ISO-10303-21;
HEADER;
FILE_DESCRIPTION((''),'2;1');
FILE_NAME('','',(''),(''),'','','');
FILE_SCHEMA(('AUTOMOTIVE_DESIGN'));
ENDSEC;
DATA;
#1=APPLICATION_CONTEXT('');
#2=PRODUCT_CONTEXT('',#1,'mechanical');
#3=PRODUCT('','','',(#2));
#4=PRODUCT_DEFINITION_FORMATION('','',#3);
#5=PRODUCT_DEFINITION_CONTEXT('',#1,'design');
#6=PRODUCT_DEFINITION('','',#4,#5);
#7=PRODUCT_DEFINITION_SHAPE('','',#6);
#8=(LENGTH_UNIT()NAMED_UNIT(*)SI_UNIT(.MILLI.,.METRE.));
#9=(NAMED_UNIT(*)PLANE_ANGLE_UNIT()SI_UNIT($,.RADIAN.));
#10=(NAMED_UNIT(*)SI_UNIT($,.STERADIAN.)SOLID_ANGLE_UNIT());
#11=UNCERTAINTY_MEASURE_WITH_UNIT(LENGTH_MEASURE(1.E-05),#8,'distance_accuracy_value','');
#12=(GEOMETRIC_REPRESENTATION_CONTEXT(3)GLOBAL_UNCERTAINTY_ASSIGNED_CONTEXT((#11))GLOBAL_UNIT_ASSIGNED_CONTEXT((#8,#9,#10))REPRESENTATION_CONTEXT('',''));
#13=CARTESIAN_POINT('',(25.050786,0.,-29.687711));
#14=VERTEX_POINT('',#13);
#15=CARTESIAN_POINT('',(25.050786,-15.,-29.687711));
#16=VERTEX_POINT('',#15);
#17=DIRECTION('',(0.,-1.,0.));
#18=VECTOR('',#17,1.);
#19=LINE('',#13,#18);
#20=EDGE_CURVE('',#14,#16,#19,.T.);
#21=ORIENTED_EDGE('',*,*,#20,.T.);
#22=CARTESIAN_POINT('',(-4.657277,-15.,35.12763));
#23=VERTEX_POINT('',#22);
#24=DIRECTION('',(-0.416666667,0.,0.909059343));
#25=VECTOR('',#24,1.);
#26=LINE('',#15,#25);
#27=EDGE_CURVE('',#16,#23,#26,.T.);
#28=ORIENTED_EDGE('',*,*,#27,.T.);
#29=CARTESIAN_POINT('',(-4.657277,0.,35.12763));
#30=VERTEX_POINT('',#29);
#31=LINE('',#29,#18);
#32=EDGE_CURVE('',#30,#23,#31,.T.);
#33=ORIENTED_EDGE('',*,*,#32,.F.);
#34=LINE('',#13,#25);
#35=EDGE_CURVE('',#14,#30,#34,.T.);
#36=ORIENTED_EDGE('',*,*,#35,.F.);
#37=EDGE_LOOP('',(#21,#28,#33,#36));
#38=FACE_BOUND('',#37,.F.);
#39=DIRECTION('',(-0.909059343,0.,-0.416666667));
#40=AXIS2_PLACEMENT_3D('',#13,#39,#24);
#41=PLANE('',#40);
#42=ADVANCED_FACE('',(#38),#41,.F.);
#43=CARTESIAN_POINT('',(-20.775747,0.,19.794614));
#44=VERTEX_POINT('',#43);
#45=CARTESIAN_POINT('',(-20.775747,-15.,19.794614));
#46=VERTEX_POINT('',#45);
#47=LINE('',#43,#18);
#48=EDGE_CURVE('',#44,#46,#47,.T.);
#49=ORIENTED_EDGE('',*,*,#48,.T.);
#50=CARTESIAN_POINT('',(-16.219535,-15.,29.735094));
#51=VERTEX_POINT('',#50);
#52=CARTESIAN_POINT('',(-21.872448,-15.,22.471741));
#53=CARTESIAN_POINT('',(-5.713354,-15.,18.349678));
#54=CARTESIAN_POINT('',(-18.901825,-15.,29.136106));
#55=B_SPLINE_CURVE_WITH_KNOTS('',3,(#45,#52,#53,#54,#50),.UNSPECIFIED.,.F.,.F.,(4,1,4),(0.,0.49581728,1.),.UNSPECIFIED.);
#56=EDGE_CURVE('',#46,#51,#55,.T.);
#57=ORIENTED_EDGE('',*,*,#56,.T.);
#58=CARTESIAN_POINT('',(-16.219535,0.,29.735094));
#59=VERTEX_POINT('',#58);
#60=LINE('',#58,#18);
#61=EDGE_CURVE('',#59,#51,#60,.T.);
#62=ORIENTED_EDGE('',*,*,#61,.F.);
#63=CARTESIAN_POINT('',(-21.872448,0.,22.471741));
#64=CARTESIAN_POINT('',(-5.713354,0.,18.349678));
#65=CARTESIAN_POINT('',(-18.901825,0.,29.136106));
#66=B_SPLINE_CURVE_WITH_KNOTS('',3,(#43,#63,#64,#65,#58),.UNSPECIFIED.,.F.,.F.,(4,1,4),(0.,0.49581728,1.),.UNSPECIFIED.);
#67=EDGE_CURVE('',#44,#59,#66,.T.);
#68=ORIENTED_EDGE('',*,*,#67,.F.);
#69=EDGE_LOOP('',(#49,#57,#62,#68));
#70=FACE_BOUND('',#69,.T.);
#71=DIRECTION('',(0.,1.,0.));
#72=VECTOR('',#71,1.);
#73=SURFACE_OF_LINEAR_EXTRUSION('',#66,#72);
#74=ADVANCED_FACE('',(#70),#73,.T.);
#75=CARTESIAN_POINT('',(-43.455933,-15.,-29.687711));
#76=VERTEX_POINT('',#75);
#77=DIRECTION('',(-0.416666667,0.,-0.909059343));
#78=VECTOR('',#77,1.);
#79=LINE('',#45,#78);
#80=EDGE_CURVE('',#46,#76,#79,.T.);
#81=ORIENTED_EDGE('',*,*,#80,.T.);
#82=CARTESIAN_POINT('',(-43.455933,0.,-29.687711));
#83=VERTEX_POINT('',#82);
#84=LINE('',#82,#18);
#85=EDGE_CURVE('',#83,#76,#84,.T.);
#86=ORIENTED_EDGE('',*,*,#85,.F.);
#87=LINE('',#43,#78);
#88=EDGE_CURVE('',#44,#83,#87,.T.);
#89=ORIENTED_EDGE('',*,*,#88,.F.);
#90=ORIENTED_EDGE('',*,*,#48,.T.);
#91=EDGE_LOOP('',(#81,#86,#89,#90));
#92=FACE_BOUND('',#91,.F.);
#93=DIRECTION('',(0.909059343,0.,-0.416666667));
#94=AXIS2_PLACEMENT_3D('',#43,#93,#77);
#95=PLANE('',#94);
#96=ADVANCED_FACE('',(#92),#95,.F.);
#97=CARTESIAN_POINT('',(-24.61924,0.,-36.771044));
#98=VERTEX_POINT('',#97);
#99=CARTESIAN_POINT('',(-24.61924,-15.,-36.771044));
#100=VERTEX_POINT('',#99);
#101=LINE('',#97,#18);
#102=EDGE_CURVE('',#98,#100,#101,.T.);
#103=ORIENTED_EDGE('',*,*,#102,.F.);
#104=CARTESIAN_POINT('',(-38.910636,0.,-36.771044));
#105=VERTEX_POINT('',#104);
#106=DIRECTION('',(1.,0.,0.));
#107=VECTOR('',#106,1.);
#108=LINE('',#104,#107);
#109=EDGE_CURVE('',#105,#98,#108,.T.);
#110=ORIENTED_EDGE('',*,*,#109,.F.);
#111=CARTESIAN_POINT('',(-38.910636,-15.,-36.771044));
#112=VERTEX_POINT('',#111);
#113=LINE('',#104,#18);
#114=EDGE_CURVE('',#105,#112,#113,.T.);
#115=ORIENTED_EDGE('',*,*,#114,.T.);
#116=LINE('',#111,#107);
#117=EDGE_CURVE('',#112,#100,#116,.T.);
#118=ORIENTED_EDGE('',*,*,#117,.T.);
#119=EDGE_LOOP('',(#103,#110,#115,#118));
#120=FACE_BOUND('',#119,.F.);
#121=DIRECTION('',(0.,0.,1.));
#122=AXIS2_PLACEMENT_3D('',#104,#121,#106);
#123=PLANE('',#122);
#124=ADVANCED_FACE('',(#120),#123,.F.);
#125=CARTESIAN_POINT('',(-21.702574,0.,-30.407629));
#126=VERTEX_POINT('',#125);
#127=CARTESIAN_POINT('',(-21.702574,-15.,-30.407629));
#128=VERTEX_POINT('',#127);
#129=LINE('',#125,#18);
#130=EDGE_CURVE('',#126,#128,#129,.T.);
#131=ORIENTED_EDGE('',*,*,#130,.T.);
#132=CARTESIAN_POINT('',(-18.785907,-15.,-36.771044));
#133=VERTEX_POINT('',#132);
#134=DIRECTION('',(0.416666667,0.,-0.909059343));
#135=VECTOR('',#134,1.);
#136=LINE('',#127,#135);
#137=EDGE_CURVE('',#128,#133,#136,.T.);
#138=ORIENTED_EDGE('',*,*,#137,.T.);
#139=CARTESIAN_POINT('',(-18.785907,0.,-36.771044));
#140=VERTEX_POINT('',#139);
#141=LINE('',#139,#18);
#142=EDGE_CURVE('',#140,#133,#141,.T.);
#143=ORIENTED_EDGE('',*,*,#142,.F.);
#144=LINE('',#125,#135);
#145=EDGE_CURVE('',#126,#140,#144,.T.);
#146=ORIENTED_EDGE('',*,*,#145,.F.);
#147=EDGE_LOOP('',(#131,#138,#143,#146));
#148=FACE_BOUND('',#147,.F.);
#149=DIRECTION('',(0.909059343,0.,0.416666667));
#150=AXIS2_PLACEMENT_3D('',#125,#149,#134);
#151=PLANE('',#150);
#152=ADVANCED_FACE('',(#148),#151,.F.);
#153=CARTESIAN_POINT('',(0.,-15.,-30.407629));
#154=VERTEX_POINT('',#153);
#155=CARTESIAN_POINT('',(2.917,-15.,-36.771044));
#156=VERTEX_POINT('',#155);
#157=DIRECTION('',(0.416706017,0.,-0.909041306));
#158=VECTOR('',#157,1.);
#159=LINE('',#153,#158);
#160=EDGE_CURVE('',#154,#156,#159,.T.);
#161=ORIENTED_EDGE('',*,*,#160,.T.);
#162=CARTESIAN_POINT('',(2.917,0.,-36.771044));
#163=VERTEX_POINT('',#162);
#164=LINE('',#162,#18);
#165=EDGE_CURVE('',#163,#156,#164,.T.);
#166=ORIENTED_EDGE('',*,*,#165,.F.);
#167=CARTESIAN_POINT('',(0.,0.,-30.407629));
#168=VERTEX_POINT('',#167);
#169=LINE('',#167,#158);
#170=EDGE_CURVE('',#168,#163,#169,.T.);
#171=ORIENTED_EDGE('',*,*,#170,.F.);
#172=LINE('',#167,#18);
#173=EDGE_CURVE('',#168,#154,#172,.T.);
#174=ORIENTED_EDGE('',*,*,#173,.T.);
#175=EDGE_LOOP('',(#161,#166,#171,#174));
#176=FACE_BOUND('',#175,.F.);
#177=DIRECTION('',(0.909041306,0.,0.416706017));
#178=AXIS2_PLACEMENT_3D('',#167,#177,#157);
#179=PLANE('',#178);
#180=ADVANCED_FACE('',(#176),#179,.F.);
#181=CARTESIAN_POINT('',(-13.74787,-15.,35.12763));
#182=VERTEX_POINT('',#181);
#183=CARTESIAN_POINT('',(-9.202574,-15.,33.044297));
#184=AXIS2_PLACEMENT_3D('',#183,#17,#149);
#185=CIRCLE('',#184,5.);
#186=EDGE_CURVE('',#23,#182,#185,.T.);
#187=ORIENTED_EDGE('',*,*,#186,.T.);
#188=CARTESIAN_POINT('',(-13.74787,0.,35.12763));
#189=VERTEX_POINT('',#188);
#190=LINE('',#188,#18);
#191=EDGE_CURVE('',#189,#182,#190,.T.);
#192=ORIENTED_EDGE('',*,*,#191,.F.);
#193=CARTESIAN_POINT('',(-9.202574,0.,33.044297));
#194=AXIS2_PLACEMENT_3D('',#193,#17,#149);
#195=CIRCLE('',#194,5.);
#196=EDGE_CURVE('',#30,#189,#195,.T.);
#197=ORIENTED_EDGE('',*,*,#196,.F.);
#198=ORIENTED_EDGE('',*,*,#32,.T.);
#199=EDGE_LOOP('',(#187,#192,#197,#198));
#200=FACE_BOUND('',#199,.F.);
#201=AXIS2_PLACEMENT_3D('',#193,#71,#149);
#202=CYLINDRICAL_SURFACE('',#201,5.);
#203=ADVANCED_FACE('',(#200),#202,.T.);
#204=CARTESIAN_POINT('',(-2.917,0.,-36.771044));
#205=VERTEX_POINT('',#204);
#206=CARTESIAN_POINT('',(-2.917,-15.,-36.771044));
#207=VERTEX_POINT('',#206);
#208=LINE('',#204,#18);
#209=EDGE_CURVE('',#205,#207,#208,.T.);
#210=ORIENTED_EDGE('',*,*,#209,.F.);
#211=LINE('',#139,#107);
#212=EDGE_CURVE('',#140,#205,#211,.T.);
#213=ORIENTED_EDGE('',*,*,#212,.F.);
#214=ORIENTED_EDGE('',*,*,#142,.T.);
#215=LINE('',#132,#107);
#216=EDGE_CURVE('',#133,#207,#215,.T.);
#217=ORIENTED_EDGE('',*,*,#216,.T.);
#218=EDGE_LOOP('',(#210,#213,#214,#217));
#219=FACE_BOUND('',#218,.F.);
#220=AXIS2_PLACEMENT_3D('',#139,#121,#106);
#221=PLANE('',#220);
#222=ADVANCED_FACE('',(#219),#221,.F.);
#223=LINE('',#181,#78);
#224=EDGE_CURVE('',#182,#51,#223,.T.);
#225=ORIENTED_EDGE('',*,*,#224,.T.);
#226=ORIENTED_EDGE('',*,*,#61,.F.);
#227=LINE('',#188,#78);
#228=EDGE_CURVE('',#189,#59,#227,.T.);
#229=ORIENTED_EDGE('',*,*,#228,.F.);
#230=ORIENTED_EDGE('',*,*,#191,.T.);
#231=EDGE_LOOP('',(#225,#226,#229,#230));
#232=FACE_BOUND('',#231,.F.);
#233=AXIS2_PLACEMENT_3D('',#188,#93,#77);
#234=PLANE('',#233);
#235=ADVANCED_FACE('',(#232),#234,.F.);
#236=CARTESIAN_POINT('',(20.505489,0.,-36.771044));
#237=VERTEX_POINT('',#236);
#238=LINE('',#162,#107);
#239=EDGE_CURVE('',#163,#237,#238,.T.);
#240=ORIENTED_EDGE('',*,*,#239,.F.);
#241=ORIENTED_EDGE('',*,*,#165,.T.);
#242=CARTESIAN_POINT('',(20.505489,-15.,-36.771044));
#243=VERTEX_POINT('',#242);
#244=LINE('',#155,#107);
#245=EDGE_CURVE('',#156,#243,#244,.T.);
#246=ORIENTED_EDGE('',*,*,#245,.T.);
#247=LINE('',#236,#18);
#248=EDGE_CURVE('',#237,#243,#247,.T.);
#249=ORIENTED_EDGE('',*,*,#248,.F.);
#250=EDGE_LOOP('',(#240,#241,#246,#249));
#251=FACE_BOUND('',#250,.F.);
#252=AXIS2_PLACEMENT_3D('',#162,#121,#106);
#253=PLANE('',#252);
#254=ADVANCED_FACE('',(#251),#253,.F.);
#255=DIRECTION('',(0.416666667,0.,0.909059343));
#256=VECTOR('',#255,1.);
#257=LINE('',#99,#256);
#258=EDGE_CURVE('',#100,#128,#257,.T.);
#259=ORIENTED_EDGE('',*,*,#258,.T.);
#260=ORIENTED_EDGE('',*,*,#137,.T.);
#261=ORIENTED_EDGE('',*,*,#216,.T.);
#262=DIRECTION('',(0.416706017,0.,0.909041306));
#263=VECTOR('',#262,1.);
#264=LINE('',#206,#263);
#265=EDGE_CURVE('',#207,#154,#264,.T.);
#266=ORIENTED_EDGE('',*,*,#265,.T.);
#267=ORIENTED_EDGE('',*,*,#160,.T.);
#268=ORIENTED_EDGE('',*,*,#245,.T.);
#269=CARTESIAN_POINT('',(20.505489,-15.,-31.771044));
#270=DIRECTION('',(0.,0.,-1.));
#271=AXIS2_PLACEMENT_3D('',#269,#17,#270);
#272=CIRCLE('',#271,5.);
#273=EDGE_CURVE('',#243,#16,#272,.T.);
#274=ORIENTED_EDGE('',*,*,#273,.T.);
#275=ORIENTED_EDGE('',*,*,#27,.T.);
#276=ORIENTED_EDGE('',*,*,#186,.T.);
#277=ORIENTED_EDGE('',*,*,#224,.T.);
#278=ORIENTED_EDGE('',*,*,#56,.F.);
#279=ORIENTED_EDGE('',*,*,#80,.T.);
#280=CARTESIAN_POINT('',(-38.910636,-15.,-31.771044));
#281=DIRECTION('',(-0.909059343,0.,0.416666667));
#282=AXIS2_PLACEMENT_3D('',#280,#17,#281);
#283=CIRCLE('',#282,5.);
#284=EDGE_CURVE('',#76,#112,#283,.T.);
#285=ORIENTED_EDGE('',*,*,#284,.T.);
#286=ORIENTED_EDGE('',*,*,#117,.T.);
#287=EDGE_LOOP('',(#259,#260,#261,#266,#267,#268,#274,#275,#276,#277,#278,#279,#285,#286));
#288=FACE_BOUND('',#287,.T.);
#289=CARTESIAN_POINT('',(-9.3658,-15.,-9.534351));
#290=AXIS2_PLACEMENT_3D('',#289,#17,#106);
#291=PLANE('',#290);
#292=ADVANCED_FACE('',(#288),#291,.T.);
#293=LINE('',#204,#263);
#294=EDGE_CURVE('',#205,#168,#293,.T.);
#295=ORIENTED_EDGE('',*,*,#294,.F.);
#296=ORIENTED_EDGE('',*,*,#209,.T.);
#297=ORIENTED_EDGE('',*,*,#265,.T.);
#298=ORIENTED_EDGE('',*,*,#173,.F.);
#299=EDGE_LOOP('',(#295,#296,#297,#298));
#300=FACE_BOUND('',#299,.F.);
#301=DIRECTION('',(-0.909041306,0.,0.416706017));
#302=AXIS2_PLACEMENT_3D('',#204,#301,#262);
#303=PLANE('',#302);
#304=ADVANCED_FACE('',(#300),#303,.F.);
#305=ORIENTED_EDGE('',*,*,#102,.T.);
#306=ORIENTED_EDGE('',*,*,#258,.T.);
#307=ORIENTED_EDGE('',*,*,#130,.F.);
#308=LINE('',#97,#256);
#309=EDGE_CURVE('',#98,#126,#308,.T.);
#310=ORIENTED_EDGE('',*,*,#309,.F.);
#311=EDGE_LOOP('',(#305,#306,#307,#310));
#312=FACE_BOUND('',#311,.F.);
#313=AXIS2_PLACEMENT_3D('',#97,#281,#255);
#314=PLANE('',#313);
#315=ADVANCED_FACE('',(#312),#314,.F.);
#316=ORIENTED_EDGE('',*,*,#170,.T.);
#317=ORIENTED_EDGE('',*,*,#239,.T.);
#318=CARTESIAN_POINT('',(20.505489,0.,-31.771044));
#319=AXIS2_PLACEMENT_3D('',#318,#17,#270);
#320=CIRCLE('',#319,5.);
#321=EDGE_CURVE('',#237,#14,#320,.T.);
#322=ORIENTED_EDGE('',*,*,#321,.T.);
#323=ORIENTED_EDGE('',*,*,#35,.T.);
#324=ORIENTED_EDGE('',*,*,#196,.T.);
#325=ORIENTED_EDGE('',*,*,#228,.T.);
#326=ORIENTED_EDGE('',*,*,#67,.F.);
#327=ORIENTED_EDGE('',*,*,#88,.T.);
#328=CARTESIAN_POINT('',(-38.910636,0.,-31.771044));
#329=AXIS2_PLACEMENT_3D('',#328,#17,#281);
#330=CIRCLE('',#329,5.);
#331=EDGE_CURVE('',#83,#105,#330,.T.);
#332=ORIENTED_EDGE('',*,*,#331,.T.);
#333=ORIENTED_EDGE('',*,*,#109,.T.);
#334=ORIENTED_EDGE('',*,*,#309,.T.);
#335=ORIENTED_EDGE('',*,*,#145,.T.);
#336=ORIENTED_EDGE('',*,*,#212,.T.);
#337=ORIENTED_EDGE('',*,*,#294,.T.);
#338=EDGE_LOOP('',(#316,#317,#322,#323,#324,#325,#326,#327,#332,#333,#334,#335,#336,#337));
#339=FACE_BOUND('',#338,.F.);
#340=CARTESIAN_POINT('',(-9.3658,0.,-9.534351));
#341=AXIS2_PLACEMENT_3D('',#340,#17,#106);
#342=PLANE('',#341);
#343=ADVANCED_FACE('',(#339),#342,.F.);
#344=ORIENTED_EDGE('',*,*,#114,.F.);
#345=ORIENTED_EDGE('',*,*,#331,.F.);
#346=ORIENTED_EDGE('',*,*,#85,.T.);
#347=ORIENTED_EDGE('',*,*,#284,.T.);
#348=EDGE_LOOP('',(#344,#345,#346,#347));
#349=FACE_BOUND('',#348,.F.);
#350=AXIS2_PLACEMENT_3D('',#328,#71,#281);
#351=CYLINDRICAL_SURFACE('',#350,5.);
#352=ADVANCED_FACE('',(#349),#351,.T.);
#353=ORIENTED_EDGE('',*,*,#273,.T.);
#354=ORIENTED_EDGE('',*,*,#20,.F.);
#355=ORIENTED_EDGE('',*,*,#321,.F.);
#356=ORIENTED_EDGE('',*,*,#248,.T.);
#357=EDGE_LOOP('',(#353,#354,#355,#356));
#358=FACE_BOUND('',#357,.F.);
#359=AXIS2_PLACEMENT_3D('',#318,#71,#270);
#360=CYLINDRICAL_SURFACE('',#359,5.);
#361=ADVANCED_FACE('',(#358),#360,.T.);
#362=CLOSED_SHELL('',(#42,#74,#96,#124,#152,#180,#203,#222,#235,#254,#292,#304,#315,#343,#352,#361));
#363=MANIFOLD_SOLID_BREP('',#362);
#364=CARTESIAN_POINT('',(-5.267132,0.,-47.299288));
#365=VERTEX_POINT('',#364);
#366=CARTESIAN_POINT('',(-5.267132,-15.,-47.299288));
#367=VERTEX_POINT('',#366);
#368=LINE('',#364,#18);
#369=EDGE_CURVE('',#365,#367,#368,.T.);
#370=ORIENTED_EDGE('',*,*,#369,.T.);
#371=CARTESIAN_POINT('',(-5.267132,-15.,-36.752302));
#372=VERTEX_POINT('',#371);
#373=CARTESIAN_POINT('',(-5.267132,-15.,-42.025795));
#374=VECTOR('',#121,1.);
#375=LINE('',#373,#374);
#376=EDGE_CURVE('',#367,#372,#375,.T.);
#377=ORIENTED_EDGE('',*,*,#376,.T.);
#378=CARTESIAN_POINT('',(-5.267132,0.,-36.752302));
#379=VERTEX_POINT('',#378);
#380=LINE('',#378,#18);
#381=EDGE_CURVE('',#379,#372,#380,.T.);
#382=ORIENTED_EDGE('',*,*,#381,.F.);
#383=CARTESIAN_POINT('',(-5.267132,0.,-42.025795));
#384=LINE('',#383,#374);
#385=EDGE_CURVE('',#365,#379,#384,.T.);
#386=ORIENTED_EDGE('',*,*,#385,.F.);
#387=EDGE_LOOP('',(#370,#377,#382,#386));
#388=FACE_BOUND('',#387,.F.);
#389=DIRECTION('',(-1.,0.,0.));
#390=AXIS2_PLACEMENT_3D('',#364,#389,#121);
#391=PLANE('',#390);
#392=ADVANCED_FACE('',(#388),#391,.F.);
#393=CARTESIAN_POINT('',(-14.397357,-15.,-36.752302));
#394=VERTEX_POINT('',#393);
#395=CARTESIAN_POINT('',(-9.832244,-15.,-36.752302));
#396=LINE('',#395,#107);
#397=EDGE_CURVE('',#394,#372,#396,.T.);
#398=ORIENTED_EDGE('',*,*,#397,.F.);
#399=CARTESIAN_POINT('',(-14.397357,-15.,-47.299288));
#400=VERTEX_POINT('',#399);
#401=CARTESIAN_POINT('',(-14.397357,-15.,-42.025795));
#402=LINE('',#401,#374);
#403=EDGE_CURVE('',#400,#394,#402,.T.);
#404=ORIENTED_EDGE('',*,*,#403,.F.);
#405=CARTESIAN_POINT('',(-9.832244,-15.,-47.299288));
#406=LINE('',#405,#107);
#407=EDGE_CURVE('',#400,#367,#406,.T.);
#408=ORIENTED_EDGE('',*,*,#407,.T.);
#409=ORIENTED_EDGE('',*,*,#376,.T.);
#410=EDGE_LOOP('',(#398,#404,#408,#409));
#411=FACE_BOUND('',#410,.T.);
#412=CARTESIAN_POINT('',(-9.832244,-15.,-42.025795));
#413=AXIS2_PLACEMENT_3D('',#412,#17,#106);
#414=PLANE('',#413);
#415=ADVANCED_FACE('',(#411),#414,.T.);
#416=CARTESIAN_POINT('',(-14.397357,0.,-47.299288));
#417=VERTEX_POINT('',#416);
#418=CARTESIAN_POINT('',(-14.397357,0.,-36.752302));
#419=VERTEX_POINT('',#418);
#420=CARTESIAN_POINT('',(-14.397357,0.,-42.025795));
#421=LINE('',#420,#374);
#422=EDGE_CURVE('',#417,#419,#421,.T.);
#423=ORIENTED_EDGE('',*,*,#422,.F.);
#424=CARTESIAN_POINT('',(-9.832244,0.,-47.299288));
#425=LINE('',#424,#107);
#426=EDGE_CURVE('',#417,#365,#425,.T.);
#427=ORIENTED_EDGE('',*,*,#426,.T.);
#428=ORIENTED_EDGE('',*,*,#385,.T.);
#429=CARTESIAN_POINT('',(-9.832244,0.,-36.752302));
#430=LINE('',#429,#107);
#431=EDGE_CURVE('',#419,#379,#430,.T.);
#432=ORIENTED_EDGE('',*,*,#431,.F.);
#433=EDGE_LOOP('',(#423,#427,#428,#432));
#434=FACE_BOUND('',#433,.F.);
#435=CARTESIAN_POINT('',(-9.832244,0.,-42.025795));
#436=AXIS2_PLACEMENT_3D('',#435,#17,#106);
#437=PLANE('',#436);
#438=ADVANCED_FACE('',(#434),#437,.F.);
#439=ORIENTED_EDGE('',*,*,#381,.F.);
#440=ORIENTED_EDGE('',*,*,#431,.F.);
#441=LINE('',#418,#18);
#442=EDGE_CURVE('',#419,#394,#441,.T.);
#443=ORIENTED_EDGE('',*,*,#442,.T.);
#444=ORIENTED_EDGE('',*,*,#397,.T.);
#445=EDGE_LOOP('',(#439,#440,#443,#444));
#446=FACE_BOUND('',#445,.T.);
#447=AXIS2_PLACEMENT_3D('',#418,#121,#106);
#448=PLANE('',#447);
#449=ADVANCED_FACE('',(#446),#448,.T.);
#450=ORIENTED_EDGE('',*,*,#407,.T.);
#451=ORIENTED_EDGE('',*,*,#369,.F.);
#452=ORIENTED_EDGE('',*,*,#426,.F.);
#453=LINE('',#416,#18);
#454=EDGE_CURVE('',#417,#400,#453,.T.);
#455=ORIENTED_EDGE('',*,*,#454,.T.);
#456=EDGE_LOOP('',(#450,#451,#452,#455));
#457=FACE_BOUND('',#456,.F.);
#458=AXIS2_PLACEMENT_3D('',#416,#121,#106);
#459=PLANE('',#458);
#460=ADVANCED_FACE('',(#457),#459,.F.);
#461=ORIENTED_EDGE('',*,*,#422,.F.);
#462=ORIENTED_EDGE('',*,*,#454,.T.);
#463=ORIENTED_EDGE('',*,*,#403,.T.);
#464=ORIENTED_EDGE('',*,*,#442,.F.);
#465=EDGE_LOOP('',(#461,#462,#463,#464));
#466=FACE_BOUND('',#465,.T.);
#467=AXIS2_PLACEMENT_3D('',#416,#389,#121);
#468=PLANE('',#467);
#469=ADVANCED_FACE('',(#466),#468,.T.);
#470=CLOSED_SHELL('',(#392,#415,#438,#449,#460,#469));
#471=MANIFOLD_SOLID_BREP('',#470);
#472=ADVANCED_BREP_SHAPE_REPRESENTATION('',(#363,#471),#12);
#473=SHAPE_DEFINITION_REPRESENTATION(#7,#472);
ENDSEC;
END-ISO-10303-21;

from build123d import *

# Parameters (mm, degrees)
F2_DEPTH = 15
F0_W     = 9.1302250512
F0_H     = 10.5469860137
F3_DEPTH = 15


with BuildPart() as f2:
    # F1 (on Front) → F2 (new body)
    with BuildSketch(Plane.XZ):
        with BuildLine():
            ThreePointArc((-43.4559331368, -29.6877108018), (-43.11876348, -34.4713527594), (-38.9106364224, -36.7710441351))
            Line((-38.9106364224, -36.7710441351), (-24.6192403138, -36.7710441351))
            Line((-24.6192403138, -36.7710441351), (-21.7025736471, -30.4076287349))
            Line((-21.7025736471, -30.4076287349), (-18.7859069804, -36.7710441351))
            Line((-18.7859069804, -36.7710441351), (-13.9942403138, -36.7710441351))
            Line((-13.9942403138, -36.7710441351), (-9.2025736471, -36.7710441351))
            Line((-9.2025736471, -36.7710441351), (-6.2116375193, -36.7710441351))
            Line((-6.2116375193, -36.7710441351), (-2.917, -36.7710441351))
            Line((-2.917, -36.7710441351), (0, -30.4076287349))
            Line((0, -30.4076287349), (2.917, -36.7710441351))
            Line((2.917, -36.7710441351), (20.5054891282, -36.7710441351))
            ThreePointArc((20.5054891282, -36.7710441351), (24.7136161858, -34.4713527594), (25.0507858426, -29.6877108018))
            Line((25.0507858426, -29.6877108018), (-4.6572769327, 35.127630058))
            ThreePointArc((-4.6572769327, 35.127630058), (-9.2025736471, 38.0442967247), (-13.7478703615, 35.127630058))
            Line((-13.7478703615, 35.127630058), (-16.2195350364, 29.7350943815))
            add(Edge.make_bspline(
                [(-20.7757465894, 19.7946143485), (-21.8724480942, 22.4717409157), (-5.7133538913, 18.3496784962), (-18.9018251697, 29.1361064938), (-16.2195350364, 29.7350943815)],
                knots=[0, 0, 0, 0, 0.49581728, 1, 1, 1, 1], degree=3))
            Line((-20.7757465894, 19.7946143485), (-43.4559331368, -29.6877108018))
        make_face()
    extrude(amount=F2_DEPTH)


with BuildPart() as f3:
    # F0 (on Front) → F3 (new body)
    with BuildSketch(Plane.XZ):
        with Locations((-9.8322441336, -42.0257952064)):
            Rectangle(F0_W, F0_H)
    extrude(amount=F3_DEPTH)


solid = Compound([f2.part, f3.part])
